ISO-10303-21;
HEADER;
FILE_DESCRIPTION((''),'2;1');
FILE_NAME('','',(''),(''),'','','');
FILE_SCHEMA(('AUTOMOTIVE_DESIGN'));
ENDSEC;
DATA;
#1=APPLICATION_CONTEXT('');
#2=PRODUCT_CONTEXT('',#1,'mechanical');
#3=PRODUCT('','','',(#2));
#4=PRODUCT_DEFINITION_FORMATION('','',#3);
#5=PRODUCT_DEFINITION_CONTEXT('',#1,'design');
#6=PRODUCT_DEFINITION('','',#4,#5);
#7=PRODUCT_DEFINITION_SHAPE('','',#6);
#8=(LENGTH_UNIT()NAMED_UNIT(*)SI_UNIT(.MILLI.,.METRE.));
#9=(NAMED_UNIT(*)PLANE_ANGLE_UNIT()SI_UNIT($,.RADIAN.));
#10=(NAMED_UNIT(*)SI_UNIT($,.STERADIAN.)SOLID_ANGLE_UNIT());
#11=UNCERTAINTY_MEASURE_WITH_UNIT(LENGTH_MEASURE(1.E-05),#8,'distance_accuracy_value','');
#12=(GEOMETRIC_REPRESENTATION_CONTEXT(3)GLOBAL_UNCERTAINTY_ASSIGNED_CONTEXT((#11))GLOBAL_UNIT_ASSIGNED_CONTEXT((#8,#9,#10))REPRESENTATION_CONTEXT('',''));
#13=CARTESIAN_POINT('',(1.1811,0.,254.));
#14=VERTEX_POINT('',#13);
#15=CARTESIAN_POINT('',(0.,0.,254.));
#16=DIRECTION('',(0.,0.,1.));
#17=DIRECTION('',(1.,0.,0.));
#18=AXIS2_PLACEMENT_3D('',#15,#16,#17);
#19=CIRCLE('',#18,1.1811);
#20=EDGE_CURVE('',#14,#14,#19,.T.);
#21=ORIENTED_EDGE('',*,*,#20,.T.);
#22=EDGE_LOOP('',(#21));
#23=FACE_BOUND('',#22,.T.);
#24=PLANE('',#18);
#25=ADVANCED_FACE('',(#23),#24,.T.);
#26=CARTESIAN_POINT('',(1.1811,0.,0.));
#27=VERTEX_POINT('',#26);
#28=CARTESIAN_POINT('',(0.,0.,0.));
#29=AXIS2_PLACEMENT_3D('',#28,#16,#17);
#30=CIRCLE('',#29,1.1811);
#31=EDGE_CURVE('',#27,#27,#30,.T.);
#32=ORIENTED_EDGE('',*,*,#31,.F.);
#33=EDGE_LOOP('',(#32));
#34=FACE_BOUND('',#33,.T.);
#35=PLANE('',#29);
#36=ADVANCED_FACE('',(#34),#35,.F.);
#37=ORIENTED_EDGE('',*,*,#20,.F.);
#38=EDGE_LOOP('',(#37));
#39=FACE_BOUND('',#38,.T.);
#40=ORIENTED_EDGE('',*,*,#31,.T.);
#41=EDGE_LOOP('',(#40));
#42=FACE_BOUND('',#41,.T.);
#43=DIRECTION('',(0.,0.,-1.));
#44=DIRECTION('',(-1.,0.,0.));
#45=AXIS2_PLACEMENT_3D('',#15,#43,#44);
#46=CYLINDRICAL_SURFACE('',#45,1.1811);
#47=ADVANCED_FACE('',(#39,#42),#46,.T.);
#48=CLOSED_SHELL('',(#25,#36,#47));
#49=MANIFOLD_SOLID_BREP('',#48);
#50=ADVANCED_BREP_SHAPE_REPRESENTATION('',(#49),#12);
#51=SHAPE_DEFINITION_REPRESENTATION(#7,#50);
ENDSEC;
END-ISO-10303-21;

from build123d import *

# Parameters (mm, degrees)
SKETCH1_R = 1.1811
ROD_DEPTH = 254


with BuildPart() as part:
    # Sketch1 → Rod (new body)
    with BuildSketch(Plane.XY):
        Circle(SKETCH1_R)
    extrude(amount=ROD_DEPTH)


solid = part.part
